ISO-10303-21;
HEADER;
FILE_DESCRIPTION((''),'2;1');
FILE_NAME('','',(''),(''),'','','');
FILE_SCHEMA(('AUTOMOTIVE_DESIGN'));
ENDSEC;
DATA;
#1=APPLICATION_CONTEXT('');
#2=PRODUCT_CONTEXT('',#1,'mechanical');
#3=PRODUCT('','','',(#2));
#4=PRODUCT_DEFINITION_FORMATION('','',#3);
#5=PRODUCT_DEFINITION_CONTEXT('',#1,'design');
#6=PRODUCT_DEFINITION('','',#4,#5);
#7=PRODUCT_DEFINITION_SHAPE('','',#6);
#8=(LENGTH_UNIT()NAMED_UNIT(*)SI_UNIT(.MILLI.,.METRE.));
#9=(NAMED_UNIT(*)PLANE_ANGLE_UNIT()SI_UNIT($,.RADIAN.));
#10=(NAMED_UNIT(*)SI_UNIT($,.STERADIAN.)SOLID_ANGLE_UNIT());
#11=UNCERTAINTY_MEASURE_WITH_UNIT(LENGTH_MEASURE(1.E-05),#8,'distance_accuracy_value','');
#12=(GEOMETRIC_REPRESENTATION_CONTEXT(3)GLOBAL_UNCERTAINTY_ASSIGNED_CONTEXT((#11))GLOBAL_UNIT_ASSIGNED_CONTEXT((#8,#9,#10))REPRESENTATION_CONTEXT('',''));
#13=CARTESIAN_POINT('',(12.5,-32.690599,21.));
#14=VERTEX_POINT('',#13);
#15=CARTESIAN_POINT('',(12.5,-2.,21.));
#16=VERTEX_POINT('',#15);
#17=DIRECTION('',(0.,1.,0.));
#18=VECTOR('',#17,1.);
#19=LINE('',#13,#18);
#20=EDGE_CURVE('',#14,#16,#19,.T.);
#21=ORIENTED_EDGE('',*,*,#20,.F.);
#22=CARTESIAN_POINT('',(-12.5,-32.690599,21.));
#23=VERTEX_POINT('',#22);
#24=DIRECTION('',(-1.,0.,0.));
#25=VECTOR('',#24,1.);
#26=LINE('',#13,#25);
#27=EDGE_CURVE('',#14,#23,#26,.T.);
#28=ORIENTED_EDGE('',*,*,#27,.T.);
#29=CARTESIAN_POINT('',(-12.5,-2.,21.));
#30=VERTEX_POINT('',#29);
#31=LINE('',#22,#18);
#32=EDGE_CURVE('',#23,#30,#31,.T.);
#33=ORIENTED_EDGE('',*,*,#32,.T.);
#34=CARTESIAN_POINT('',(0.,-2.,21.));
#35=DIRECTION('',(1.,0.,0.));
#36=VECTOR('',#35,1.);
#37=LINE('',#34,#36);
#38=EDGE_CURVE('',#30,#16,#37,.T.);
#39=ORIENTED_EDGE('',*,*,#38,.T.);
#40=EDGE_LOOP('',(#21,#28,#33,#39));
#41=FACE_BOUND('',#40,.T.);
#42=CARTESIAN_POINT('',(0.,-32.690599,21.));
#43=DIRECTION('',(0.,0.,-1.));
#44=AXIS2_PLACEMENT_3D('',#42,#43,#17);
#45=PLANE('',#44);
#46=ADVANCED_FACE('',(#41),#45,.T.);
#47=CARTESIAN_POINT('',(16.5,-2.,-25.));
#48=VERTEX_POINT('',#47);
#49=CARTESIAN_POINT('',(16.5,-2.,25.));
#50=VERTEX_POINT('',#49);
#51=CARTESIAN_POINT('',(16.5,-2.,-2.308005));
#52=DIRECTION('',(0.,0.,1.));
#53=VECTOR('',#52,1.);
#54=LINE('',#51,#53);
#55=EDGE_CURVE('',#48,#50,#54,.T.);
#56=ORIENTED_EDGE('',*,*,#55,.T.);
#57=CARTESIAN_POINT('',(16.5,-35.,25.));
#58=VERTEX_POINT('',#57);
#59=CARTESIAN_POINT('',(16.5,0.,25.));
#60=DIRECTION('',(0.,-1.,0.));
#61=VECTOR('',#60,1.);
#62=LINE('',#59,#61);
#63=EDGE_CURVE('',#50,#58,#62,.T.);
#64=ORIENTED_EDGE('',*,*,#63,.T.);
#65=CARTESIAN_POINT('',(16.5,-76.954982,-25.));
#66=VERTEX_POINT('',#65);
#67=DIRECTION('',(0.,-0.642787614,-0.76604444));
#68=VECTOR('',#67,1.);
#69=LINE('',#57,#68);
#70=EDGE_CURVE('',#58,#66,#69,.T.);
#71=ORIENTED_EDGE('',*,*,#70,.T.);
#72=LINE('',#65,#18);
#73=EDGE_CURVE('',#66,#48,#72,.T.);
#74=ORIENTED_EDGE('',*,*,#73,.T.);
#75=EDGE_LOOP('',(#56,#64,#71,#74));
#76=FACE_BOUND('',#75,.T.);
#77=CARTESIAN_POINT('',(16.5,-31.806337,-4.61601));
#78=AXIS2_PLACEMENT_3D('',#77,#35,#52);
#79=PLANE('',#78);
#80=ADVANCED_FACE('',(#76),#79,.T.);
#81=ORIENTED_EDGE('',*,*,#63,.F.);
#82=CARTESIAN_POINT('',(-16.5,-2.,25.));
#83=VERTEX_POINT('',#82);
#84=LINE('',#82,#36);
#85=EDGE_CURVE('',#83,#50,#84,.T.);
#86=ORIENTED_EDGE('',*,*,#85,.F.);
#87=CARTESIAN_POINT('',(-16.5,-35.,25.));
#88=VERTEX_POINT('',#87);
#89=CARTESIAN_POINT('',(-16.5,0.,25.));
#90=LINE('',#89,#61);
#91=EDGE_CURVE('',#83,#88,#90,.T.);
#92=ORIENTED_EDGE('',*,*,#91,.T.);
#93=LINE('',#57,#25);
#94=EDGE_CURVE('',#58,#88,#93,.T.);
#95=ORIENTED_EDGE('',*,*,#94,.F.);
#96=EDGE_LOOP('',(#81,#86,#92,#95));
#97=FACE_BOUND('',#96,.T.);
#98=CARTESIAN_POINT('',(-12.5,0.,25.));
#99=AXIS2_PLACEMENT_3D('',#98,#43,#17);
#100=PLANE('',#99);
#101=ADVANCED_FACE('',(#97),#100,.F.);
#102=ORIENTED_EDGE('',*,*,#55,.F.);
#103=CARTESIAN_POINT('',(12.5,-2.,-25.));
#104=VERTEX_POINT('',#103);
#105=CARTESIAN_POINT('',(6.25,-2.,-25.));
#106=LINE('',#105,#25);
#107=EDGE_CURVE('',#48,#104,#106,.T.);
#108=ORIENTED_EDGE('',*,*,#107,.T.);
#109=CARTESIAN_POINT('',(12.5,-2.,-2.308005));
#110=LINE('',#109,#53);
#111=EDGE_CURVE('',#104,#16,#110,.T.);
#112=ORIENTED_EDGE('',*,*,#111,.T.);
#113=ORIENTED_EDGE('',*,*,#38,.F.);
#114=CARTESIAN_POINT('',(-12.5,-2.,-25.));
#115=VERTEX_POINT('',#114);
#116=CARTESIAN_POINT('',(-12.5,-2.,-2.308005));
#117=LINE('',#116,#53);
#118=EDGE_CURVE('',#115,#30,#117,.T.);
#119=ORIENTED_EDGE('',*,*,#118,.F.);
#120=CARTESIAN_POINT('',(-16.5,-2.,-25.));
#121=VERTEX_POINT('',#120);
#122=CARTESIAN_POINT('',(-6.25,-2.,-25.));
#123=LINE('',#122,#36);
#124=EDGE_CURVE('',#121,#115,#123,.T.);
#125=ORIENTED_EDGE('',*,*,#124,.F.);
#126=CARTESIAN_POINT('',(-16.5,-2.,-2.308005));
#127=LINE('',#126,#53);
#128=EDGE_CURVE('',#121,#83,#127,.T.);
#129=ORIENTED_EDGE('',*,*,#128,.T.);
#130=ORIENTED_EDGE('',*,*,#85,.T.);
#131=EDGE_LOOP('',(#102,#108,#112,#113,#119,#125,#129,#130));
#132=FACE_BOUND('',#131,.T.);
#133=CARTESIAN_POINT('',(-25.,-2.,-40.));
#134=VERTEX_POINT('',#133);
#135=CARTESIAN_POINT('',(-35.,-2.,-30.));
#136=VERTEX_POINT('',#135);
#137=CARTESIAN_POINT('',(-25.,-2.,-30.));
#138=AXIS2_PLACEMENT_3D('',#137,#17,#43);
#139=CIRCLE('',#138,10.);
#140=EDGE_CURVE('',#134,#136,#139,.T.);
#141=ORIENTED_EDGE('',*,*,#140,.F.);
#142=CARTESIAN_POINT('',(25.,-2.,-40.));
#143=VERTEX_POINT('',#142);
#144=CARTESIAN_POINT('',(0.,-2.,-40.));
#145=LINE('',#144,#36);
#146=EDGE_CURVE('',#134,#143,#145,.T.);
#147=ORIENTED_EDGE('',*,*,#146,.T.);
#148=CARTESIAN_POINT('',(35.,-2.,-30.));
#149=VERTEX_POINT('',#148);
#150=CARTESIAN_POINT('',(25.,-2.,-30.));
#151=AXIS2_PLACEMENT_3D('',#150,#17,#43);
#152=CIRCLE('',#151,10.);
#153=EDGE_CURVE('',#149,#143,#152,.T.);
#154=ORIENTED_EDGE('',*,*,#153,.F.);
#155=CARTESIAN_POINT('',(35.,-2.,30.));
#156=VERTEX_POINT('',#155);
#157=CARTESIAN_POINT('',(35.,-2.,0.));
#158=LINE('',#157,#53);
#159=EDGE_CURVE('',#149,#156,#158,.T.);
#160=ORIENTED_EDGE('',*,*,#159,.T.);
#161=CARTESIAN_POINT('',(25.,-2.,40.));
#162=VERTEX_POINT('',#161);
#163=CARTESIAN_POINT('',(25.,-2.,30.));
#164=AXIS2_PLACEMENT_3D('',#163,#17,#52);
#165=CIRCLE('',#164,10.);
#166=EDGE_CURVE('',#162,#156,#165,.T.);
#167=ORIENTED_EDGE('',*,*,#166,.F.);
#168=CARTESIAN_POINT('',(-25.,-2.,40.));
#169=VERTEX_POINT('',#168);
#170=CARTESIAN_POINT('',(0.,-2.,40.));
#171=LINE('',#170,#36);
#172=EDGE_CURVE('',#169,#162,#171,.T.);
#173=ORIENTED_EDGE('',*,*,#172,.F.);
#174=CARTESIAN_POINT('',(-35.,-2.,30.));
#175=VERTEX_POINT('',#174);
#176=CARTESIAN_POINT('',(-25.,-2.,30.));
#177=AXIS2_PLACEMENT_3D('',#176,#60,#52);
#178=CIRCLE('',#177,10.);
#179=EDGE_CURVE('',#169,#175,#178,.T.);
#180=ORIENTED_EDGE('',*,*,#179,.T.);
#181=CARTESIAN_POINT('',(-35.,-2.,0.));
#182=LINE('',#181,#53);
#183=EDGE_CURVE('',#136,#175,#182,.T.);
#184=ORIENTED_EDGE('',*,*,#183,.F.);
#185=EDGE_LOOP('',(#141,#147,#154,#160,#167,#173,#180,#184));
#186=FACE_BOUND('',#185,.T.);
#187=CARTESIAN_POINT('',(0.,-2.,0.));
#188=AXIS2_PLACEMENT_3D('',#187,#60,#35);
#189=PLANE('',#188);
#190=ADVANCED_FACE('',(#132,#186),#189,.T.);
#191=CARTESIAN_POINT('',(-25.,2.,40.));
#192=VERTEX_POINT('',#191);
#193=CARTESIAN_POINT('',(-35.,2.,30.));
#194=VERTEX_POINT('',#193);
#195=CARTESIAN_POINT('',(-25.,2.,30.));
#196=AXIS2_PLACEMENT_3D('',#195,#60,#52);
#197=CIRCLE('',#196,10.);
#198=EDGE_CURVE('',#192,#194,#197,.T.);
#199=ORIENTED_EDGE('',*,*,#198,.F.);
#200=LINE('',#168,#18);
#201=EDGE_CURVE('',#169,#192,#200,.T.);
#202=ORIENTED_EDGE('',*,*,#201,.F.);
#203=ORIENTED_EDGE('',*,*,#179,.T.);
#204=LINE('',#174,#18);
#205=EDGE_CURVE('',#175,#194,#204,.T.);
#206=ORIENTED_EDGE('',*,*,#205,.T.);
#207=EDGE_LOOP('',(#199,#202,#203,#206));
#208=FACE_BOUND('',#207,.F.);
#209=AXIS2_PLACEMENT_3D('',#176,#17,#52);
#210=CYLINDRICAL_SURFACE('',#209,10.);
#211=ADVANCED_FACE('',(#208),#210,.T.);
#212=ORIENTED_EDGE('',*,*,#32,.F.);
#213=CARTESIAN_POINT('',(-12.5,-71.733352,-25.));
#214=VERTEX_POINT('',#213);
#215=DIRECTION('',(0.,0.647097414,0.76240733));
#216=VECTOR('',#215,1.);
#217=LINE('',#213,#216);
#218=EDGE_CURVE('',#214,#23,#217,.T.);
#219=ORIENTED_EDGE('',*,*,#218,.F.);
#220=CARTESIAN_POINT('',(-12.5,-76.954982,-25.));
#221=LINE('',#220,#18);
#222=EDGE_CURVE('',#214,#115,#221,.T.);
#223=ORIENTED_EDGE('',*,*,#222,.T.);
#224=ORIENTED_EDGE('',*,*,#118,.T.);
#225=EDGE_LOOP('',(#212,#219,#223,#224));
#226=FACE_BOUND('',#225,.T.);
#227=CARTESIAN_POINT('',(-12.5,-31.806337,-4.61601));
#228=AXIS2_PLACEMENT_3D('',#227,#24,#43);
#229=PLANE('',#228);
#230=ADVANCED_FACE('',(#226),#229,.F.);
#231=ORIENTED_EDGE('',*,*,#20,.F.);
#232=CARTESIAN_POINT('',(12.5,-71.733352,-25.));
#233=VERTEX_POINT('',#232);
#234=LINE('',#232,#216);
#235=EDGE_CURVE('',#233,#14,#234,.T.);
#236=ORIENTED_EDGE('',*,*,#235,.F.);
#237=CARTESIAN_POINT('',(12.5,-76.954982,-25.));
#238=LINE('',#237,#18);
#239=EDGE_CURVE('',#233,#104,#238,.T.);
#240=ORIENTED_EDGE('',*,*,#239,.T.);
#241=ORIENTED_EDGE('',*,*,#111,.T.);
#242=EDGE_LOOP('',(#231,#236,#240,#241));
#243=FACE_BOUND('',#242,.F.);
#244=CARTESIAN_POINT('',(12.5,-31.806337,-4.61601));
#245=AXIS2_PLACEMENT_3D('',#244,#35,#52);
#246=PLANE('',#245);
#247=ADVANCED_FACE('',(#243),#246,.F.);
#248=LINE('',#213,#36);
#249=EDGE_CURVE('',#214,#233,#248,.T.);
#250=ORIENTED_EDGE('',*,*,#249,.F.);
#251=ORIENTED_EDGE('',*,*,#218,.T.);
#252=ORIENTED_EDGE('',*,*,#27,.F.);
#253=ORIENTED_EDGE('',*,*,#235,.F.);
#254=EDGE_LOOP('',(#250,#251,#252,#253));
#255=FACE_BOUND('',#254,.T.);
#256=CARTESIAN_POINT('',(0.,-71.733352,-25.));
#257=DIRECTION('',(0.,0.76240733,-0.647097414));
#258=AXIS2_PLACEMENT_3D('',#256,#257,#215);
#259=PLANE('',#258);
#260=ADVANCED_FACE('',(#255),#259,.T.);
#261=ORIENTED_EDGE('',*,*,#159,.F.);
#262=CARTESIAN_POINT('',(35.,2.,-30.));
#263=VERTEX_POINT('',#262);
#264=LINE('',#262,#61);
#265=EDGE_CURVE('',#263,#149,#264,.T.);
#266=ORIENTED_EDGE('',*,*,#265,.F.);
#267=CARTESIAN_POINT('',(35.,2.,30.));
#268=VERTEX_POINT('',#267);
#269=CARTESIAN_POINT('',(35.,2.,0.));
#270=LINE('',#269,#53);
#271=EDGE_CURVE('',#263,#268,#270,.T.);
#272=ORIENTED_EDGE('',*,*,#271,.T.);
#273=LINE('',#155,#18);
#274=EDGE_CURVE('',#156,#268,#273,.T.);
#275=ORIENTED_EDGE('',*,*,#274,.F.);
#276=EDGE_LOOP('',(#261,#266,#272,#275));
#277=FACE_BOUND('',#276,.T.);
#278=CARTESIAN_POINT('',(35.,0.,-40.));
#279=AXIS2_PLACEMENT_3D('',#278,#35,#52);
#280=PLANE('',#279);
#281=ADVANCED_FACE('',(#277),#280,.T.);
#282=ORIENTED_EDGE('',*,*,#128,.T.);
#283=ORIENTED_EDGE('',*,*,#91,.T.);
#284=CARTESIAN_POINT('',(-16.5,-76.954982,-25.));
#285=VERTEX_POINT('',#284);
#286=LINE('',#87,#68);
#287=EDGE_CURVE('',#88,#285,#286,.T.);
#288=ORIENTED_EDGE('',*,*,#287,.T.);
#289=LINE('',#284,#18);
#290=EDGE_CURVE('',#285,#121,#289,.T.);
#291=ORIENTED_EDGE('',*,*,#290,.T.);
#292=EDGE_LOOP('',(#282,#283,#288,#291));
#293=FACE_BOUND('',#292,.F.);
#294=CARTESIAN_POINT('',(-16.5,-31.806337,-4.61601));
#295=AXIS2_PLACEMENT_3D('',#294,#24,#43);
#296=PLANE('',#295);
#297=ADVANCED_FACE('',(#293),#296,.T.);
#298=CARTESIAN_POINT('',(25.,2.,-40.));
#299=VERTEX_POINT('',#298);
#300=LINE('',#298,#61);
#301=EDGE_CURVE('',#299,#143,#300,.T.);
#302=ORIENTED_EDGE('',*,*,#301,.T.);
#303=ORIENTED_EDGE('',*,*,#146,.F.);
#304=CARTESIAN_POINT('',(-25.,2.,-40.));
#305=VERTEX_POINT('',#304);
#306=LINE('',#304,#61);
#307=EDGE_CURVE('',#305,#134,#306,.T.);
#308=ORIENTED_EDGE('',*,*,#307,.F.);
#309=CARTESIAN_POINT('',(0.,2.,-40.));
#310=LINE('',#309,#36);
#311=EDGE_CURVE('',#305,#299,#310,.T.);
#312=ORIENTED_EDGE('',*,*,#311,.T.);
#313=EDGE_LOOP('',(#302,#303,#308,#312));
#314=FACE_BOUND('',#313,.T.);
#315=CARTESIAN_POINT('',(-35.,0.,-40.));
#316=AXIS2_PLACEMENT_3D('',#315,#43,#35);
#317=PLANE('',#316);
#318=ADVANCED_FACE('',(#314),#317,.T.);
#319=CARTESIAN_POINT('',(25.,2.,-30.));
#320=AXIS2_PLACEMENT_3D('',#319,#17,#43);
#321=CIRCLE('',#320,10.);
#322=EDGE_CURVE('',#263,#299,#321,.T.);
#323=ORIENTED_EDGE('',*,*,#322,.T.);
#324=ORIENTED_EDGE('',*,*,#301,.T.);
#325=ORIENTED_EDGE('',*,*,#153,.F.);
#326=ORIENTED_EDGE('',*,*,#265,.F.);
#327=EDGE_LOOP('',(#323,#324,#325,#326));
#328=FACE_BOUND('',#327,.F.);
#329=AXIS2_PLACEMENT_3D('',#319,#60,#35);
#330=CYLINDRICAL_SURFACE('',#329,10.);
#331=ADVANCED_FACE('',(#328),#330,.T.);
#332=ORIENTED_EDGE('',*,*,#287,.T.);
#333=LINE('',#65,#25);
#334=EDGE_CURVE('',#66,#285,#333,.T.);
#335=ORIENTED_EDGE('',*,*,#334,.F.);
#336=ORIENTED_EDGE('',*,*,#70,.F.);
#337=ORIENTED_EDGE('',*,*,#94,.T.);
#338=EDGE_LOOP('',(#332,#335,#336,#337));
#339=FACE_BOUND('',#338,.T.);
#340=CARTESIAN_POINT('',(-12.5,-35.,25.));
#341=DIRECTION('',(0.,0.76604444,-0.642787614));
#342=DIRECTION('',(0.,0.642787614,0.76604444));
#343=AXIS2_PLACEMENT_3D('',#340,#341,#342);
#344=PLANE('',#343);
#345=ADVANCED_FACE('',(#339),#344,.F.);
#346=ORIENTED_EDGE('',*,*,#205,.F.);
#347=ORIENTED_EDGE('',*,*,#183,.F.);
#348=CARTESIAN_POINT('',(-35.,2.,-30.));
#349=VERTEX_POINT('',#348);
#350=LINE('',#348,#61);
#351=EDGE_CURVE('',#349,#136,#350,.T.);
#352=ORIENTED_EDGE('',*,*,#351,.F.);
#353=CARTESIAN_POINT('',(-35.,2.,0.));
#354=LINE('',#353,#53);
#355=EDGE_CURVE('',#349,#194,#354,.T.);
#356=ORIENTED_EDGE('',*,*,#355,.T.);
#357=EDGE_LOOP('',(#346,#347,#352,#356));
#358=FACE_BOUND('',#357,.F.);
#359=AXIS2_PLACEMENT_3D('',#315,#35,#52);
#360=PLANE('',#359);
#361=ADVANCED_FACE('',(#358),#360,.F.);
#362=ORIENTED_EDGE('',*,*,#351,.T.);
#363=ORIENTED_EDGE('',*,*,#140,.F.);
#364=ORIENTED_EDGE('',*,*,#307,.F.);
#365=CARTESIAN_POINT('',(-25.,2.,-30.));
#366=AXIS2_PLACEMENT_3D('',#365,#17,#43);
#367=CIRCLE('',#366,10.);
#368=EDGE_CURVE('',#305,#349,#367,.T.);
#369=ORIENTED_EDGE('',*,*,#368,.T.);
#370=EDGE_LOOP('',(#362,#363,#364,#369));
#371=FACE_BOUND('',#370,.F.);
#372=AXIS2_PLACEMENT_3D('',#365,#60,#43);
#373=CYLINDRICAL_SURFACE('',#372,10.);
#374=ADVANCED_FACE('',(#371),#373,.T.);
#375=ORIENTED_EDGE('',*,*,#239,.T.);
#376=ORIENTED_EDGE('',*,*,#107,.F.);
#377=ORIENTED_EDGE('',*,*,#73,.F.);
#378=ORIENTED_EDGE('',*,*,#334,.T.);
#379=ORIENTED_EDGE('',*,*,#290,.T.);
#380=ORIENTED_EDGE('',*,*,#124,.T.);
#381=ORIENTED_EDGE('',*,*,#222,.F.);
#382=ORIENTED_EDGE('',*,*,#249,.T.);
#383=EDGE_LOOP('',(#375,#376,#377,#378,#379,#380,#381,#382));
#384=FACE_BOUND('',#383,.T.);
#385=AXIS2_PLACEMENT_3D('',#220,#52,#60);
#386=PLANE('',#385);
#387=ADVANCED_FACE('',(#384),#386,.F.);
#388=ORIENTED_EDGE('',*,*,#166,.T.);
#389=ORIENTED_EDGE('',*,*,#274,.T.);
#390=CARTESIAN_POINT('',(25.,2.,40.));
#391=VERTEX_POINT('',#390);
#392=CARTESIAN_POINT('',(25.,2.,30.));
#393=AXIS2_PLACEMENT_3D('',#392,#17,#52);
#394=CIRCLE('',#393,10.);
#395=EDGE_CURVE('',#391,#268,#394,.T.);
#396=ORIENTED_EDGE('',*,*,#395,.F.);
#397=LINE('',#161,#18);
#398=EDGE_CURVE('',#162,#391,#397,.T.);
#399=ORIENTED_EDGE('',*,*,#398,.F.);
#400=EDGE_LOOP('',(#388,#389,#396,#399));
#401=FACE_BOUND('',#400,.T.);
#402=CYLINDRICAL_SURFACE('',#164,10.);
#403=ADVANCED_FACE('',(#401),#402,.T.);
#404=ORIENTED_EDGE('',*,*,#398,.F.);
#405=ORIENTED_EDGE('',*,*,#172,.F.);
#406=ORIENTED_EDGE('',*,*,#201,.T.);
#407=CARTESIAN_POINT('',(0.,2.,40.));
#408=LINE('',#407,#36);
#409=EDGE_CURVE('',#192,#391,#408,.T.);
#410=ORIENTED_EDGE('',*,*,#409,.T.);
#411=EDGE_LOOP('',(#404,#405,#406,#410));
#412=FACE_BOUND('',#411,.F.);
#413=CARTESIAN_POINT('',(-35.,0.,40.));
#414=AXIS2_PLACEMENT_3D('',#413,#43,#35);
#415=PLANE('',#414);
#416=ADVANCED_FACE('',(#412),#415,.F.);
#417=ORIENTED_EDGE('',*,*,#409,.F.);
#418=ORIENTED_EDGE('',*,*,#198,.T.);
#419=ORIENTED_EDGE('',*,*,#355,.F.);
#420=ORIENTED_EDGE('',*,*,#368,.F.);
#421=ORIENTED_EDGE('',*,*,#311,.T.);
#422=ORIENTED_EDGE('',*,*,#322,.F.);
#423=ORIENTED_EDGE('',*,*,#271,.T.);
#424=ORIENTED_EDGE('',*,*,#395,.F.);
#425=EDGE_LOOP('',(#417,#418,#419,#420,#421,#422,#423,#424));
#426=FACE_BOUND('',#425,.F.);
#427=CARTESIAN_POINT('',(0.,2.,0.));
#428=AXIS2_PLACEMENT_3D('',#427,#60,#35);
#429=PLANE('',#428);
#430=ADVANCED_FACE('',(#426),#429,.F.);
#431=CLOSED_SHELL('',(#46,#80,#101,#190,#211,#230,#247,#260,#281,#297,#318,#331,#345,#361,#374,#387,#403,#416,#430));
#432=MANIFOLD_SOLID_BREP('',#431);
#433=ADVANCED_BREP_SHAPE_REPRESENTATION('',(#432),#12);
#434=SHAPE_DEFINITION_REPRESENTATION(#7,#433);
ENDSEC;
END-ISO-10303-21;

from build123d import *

# Parameters (mm, degrees)
SKETCH_W     = 70
SKETCH_H     = 80
PAD_DEPTH    = 2
PAD001_DEPTH = 12.5
PAD002_DEPTH = 4
FILLET_R     = 10


with BuildPart() as part:
    # Sketch → Pad (new body, symmetric)
    with BuildSketch(Plane.XZ):
        Rectangle(SKETCH_W, SKETCH_H)
    extrude(amount=PAD_DEPTH, both=True)

    # Sketch001 → Pad001 (join, symmetric)
    with BuildSketch(Plane.YZ):
        Polygon((0, 25), (-35, 25), (-76.954982, -25), (-71.733352, -25), (-32.690599, 21), (0, 21), align=None)
    extrude(amount=PAD001_DEPTH, both=True)

    # Sketch002 (on Face7 of Pad001) → Pad002 (join)
    with BuildSketch(Plane(origin=(12.5, 0, 0), x_dir=(0, 0, 1), z_dir=(1, 0, 0))):
        Polygon((-25, 76.954982), (-25, 0), (25, 0), (25, 35), align=None)
    pad002 = extrude(amount=PAD002_DEPTH)

    # Mirrored: Pad002 across YZ
    add(pad002.mirror(Plane.YZ))

    # Fillet
    fillet_edges = [part.edges().sort_by_distance(p)[0] for p in [
        (35, 0, 40),
        (35, 0, -40),
        (-35, 0, 40),
        (-35, 0, -40),
    ]]
    fillet(fillet_edges, radius=FILLET_R)


solid = part.part
